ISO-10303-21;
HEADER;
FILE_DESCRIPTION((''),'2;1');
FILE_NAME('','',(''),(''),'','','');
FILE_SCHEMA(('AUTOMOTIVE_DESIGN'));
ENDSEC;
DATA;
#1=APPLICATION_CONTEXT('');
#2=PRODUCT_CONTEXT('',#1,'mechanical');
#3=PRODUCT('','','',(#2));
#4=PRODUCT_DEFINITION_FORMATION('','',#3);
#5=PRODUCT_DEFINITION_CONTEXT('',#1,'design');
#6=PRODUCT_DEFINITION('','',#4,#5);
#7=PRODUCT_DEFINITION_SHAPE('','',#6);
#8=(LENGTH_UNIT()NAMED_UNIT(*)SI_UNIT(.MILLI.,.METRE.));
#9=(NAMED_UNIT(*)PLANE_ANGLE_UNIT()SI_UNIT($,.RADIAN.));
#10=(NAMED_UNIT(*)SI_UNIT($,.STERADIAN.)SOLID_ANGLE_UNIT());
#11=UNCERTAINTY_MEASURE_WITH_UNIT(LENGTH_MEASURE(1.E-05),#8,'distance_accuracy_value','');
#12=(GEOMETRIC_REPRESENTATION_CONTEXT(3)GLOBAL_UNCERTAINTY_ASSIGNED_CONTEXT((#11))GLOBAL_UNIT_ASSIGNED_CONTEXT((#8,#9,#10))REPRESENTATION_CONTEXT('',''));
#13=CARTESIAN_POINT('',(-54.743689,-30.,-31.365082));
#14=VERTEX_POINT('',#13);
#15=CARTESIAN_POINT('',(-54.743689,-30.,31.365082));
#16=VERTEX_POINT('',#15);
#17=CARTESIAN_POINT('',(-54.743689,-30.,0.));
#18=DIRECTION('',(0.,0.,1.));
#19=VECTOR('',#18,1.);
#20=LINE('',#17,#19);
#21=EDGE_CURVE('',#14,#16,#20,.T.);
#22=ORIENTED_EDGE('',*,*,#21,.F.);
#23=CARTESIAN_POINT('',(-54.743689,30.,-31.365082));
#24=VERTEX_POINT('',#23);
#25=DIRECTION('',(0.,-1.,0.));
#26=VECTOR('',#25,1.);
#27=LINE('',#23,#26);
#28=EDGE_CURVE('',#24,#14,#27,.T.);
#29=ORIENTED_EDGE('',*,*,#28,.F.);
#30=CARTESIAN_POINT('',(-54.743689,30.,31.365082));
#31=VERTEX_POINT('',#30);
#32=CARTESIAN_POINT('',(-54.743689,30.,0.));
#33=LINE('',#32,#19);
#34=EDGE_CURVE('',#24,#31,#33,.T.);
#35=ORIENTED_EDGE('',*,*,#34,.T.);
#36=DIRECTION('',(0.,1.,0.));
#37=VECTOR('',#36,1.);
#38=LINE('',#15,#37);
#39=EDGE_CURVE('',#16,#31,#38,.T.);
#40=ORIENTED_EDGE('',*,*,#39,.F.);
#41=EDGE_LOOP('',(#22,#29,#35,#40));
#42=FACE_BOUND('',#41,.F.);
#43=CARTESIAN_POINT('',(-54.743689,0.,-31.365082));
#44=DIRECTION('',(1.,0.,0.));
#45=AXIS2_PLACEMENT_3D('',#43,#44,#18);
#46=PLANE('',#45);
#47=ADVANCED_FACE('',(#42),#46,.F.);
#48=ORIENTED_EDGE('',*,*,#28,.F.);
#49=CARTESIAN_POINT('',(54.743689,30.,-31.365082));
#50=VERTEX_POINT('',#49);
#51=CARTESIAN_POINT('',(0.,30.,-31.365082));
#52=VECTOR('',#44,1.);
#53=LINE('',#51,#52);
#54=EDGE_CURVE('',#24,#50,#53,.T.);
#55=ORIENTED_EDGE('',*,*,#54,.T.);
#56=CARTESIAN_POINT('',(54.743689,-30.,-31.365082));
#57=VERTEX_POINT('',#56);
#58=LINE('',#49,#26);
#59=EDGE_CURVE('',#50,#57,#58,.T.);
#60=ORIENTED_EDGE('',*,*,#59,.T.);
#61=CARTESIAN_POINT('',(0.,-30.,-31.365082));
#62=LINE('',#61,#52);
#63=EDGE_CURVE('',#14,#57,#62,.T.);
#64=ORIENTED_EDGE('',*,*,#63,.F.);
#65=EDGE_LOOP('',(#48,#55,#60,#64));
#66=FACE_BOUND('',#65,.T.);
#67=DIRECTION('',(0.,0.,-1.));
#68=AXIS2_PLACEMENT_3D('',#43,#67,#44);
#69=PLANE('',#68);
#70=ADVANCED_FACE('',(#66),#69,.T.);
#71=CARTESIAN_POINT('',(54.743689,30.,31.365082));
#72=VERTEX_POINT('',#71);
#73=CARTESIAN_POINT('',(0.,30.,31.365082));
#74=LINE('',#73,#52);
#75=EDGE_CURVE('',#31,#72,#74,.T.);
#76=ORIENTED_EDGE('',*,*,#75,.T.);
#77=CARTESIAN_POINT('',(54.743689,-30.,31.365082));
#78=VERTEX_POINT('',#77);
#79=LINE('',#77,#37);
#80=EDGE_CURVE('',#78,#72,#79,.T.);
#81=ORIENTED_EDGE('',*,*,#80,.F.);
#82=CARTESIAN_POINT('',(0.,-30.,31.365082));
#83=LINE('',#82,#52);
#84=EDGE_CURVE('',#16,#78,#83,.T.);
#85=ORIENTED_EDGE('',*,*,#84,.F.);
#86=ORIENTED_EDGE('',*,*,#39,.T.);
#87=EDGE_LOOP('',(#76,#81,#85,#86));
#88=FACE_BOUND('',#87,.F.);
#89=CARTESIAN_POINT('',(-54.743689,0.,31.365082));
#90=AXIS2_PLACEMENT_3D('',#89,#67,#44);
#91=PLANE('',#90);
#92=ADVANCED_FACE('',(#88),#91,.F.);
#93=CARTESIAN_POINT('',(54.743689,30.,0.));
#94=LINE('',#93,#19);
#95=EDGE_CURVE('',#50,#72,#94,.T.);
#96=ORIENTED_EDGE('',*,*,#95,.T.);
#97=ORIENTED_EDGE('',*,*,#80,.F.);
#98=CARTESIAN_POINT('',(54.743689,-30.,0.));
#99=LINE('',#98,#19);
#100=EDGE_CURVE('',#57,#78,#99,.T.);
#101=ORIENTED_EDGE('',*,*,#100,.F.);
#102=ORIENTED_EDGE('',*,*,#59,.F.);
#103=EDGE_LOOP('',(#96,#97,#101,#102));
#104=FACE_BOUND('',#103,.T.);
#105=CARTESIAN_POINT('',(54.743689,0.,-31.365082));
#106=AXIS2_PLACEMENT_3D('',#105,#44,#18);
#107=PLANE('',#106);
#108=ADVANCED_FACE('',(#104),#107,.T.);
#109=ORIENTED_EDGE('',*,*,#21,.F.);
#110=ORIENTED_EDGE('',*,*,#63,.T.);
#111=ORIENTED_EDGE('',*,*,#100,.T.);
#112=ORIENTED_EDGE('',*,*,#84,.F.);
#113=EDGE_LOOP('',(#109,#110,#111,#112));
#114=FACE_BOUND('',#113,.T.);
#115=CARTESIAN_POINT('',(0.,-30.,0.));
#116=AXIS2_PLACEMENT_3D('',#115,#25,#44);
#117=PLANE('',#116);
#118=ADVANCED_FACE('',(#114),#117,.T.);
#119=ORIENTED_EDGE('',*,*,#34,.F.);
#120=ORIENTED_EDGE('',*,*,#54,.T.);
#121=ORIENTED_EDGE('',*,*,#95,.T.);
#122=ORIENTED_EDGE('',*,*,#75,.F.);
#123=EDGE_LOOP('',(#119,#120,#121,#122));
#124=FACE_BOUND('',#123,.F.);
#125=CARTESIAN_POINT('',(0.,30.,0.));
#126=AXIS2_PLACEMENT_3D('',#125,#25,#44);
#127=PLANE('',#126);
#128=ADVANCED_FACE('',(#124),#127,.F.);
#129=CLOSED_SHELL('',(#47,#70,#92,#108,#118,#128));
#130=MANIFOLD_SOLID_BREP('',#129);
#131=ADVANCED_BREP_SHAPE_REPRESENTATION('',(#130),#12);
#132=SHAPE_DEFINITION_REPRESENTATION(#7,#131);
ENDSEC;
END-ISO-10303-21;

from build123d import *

# Parameters (mm, degrees)
F0_W     = 109.487378
F0_H     = 62.730164
F1_DEPTH = 30
F2_R     = 15.183166
F3_DEPTH = 50.8


with BuildPart() as f1:
    # F0 (on Front) → F1 (new body, symmetric)
    with BuildSketch(Plane.XZ):
        Rectangle(F0_W, F0_H)
    extrude(amount=F1_DEPTH, both=True)

    # F2 (on face) → F3 (join)
    with BuildSketch(Plane.XY.offset(31.365082)):
        Circle(F2_R)
    extrude(amount=-F3_DEPTH)


solid = f1.part
